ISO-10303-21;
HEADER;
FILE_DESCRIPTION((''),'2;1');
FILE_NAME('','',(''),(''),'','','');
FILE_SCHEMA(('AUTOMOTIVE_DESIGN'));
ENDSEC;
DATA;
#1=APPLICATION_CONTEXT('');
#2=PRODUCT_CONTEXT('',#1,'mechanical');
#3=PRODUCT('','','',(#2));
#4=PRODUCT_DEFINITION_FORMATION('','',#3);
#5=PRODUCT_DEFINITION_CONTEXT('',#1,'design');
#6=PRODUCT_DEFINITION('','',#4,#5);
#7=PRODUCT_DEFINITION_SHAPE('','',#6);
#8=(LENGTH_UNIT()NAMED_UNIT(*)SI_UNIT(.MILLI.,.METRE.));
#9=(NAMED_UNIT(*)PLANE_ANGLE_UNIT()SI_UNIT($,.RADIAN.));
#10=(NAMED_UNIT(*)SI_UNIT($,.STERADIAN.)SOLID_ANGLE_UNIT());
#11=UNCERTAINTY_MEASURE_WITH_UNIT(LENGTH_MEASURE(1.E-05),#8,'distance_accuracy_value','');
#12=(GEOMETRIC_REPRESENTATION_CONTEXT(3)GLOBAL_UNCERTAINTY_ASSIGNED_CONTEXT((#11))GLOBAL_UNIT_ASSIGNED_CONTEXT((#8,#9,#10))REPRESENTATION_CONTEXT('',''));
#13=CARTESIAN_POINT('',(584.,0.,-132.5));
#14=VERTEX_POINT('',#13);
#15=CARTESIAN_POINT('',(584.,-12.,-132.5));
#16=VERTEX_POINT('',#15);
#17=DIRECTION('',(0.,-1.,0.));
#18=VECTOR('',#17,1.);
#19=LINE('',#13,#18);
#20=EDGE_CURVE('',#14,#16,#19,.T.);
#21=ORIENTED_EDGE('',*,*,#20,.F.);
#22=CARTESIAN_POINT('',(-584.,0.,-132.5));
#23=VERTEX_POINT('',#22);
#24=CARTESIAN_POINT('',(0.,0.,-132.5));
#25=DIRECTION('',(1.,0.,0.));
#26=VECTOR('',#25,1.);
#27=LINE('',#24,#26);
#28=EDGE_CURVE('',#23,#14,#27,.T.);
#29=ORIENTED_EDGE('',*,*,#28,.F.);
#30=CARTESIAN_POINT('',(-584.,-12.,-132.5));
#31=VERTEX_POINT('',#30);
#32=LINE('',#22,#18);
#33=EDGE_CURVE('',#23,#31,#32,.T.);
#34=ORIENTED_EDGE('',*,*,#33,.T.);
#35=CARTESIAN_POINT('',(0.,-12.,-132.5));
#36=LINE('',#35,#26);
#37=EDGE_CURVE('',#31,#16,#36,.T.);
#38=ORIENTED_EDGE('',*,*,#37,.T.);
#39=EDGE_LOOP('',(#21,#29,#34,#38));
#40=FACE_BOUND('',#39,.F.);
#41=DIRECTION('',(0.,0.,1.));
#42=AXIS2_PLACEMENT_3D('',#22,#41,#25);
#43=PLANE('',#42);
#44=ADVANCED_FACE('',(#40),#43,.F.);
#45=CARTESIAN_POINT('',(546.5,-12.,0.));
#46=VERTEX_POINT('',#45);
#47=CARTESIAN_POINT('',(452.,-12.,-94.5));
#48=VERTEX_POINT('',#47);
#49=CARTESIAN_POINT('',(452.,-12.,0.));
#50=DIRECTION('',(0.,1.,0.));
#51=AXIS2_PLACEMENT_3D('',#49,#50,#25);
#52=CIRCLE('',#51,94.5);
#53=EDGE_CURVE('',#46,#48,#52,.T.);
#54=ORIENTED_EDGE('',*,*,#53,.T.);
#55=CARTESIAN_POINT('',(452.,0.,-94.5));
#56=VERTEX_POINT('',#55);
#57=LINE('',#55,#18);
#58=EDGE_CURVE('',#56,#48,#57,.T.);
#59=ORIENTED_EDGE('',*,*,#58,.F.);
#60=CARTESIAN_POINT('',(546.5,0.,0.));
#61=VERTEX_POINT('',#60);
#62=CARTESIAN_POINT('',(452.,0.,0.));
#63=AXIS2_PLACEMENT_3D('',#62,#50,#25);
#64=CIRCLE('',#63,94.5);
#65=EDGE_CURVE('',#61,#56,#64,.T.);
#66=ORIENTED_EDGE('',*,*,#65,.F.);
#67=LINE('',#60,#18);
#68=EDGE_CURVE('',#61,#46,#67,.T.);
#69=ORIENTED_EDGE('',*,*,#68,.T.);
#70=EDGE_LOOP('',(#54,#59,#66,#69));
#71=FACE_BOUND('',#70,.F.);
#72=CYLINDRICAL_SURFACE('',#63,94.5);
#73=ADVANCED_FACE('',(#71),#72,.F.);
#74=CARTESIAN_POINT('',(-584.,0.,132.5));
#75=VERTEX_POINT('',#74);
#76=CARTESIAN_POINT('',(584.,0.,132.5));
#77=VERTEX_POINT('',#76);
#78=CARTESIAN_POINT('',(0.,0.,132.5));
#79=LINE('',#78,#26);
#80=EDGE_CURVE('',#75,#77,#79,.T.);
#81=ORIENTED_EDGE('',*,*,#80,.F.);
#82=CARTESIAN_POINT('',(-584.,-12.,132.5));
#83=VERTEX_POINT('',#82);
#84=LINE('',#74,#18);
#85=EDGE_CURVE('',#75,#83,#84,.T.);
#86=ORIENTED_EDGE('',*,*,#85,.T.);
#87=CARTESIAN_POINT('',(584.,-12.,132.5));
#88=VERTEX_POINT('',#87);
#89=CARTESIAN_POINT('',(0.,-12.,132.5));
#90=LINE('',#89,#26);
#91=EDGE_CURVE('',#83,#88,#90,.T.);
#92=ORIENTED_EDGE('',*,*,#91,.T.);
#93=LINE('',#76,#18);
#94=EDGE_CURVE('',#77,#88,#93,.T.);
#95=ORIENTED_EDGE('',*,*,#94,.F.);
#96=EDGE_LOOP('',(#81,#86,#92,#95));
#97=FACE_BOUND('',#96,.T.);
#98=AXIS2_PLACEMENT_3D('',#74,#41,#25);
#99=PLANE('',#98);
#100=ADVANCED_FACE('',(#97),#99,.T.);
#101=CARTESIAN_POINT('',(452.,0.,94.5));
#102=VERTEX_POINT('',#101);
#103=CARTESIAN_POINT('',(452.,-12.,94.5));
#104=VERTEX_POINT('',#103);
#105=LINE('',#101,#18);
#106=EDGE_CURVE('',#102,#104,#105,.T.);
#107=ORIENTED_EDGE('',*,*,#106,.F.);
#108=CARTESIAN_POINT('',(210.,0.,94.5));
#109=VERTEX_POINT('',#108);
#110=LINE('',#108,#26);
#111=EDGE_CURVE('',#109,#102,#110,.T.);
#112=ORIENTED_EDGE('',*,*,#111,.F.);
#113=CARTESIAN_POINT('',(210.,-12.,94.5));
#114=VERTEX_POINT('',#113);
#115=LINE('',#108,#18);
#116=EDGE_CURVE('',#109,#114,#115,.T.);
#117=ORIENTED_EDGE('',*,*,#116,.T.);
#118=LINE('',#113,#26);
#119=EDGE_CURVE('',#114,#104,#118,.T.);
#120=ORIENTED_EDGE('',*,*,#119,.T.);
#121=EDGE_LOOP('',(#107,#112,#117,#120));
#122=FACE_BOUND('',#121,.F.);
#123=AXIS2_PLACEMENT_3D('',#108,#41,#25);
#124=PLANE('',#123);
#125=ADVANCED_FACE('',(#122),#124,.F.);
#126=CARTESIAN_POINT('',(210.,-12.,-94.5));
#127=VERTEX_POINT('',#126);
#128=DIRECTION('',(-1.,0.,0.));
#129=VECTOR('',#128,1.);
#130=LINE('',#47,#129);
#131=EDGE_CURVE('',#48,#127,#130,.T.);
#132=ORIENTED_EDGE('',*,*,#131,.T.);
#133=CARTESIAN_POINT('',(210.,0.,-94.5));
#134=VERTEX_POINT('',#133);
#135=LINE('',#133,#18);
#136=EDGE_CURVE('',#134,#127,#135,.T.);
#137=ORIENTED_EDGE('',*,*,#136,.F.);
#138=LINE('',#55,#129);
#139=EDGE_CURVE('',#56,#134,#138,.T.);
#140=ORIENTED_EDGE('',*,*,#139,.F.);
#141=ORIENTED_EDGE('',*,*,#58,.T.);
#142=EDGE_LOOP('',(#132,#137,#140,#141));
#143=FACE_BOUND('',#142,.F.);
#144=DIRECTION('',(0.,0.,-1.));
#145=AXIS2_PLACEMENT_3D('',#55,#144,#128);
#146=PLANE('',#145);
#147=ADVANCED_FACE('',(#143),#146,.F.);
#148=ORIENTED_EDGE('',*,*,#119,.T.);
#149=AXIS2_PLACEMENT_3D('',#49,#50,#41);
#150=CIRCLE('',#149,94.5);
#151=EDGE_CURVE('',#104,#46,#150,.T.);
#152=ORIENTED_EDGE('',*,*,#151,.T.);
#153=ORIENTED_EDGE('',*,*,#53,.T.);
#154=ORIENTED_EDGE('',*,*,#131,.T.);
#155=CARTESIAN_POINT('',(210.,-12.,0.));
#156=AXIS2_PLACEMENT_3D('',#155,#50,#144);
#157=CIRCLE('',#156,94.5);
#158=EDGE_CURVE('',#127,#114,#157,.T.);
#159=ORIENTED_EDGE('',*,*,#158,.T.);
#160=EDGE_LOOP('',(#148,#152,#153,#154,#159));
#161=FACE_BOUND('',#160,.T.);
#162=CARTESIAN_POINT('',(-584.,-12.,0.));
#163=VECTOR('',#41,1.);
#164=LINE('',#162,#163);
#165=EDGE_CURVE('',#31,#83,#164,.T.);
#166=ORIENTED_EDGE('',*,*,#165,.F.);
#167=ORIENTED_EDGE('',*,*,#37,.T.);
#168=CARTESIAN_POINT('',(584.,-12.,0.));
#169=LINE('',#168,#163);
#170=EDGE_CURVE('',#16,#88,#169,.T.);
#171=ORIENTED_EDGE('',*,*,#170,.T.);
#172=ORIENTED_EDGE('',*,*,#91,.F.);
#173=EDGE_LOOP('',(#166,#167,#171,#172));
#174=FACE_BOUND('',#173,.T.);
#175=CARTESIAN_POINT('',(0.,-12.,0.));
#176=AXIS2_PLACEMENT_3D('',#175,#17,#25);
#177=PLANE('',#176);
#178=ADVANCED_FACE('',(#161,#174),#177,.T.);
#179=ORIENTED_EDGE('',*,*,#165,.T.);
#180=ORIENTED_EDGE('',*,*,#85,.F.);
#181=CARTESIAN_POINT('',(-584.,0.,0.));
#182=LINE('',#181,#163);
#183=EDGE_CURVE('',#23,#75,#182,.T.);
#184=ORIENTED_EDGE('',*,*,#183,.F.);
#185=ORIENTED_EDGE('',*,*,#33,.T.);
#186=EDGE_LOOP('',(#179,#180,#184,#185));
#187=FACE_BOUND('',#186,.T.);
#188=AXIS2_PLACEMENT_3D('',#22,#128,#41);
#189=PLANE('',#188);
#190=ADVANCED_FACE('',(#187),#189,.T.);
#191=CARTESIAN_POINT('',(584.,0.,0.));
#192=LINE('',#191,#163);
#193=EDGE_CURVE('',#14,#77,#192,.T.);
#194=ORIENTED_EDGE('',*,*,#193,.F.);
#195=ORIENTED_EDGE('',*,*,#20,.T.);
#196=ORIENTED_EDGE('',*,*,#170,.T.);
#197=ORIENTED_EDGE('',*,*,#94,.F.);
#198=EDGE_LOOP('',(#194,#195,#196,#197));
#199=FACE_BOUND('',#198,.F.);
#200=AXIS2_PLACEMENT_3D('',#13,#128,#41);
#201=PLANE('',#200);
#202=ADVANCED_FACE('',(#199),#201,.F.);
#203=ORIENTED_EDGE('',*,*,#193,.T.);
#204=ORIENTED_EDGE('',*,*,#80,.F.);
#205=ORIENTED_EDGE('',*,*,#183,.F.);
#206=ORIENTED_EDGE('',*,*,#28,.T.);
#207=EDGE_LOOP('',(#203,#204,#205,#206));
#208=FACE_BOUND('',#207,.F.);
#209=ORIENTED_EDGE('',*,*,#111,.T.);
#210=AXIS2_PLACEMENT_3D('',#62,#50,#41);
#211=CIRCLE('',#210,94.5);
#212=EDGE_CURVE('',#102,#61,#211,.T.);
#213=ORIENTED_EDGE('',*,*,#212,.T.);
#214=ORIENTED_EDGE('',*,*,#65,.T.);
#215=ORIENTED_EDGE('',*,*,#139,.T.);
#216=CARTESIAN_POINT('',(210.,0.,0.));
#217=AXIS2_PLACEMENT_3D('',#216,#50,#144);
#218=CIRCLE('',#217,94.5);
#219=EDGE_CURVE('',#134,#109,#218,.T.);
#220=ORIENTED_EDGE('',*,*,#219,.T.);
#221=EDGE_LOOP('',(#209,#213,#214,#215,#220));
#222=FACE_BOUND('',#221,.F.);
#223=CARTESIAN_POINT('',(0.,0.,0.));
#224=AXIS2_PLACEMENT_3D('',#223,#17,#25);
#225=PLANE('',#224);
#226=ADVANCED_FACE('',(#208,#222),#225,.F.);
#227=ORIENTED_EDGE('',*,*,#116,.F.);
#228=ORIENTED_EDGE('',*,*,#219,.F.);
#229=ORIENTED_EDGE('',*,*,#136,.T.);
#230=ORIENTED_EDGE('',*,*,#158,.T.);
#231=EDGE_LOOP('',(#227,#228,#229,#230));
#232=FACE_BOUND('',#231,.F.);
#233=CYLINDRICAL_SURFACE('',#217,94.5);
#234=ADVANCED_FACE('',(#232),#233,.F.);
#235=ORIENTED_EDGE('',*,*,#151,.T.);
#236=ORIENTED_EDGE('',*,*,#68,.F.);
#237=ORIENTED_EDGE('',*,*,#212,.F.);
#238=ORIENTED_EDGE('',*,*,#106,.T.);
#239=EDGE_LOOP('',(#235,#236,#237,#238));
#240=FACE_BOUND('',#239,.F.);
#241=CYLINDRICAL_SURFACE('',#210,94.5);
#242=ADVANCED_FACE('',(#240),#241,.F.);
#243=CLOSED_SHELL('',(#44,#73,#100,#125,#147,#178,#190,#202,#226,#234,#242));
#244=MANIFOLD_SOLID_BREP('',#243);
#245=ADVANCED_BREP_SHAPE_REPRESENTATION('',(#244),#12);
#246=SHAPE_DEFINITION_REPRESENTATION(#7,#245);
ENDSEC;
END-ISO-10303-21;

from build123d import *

# Parameters (mm, degrees)
F0_W     = 1168
F0_H     = 265
F1_DEPTH = 12


with BuildPart() as f1:
    # F0 (on Front) → F1 (new body)
    with BuildSketch(Plane.XZ):
        Rectangle(F0_W, F0_H)
        with BuildLine():
            Line((268.2301468313, 94.5), (393.7698531687, 94.5))
            ThreePointArc((393.7698531687, 94.5), (506.1177129123, 96.9137407654), (563, 0))
            ThreePointArc((563, 0), (506.1177129123, -96.9137407654), (393.7698531687, -94.5))
            Line((393.7698531687, -94.5), (268.2301468313, -94.5))
            ThreePointArc((268.2301468313, -94.5), (99, 0), (268.2301468313, 94.5))
        make_face(mode=Mode.SUBTRACT)
        with BuildLine():
            Line((210, 94.5), (268.2301468313, 94.5))
            ThreePointArc((268.2301468313, 94.5), (99, 0), (268.2301468313, -94.5))
            Line((268.2301468313, -94.5), (210, -94.5))
            ThreePointArc((210, -94.5), (115.5, 0), (210, 94.5))
        make_face()
        with BuildLine():
            ThreePointArc((452, 94.5), (518.8215908221, 66.8215908221), (546.5, 0))
            ThreePointArc((546.5, 0), (518.8215908221, -66.8215908221), (452, -94.5))
            Line((452, -94.5), (393.7698531687, -94.5))
            ThreePointArc((393.7698531687, -94.5), (506.1177129123, -96.9137407654), (563, 0))
            ThreePointArc((563, 0), (506.1177129123, 96.9137407654), (393.7698531687, 94.5))
            Line((393.7698531687, 94.5), (452, 94.5))
        make_face()
    extrude(amount=F1_DEPTH)


solid = f1.part
